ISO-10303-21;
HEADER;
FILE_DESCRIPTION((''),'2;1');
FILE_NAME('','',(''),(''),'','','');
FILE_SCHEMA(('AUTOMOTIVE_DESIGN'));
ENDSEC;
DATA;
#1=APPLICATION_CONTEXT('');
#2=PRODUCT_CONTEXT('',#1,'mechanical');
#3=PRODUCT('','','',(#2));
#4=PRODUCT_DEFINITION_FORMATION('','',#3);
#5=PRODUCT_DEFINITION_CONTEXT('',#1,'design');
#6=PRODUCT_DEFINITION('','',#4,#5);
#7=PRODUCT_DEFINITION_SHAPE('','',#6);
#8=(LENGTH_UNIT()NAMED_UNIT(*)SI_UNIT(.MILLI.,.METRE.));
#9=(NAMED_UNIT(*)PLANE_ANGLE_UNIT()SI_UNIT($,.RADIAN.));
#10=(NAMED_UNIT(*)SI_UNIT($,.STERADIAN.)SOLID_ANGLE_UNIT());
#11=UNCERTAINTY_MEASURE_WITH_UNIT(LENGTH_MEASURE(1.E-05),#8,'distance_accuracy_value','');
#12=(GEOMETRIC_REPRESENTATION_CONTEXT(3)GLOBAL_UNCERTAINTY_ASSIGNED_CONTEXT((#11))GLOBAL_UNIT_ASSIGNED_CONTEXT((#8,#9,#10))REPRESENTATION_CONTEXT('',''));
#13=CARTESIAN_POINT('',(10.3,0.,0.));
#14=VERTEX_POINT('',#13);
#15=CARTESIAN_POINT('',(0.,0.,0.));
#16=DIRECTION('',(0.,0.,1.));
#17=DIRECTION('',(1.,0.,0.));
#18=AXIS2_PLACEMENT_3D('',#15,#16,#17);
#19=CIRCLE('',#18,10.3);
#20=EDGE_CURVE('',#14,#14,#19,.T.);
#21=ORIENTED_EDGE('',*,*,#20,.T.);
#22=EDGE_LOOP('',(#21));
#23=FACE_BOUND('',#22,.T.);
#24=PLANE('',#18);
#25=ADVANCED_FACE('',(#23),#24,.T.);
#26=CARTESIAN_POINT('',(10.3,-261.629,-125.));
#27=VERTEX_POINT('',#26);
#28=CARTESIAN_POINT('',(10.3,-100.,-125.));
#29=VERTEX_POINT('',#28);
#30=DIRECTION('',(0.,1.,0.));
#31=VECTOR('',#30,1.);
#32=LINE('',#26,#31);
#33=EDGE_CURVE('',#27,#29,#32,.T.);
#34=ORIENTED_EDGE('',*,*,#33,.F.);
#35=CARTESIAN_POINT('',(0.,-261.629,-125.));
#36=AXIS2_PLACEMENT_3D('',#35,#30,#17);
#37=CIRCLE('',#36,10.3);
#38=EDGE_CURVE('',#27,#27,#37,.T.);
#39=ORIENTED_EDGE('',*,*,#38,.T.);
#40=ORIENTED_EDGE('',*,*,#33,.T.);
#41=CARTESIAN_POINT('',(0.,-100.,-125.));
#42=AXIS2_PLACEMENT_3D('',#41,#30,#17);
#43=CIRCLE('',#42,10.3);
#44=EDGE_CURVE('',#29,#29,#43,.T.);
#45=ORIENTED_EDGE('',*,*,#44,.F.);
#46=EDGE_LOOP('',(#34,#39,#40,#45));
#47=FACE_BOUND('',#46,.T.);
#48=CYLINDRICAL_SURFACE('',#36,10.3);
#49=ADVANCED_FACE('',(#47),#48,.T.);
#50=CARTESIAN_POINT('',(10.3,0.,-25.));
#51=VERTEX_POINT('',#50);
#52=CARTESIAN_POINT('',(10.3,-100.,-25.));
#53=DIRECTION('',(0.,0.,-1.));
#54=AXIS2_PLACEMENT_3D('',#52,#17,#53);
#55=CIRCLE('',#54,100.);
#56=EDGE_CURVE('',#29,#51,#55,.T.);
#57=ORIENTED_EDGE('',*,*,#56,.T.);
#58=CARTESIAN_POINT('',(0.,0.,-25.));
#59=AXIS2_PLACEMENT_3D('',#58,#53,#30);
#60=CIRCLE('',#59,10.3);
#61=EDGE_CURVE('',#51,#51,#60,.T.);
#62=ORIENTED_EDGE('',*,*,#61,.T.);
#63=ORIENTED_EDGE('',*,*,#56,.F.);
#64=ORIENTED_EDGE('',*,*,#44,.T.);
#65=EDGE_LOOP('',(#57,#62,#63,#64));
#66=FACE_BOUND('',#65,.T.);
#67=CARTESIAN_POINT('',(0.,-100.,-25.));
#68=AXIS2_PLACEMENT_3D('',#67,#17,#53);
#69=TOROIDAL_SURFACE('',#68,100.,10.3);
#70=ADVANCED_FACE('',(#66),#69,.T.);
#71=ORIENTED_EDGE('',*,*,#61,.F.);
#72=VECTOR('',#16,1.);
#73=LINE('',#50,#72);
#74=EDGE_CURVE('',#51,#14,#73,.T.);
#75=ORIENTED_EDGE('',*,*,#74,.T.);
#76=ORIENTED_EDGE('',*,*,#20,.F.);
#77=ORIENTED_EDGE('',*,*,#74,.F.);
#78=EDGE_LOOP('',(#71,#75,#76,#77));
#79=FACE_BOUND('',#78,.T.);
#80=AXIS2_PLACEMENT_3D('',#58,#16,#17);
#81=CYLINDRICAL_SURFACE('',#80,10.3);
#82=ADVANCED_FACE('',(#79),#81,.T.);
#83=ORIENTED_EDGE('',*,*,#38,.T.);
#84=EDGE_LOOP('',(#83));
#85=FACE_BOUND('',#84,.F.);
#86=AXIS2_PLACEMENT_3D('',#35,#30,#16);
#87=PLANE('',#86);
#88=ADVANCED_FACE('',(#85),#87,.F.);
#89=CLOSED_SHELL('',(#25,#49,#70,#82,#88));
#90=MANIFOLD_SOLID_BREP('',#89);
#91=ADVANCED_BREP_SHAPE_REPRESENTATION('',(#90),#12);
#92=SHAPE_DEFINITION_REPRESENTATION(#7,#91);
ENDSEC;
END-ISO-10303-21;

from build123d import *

# Parameters (mm, degrees)
F1_R = 10.3


with BuildPart() as f2:
    # F2: sweep along a path in F0
    with BuildLine(Plane.YZ) as f2_path:
        Line((-261.629, -125), (-100, -125))
        ThreePointArc((-100, -125), (-29.2893218813, -95.7106781187), (0, -25))
        Line((0, -25), (0, 0))
    # F1 (on Top) → F2 (sweep)
    with BuildSketch(Plane.XY):
        Circle(F1_R)
    sweep(path=f2_path.line)


solid = f2.part
